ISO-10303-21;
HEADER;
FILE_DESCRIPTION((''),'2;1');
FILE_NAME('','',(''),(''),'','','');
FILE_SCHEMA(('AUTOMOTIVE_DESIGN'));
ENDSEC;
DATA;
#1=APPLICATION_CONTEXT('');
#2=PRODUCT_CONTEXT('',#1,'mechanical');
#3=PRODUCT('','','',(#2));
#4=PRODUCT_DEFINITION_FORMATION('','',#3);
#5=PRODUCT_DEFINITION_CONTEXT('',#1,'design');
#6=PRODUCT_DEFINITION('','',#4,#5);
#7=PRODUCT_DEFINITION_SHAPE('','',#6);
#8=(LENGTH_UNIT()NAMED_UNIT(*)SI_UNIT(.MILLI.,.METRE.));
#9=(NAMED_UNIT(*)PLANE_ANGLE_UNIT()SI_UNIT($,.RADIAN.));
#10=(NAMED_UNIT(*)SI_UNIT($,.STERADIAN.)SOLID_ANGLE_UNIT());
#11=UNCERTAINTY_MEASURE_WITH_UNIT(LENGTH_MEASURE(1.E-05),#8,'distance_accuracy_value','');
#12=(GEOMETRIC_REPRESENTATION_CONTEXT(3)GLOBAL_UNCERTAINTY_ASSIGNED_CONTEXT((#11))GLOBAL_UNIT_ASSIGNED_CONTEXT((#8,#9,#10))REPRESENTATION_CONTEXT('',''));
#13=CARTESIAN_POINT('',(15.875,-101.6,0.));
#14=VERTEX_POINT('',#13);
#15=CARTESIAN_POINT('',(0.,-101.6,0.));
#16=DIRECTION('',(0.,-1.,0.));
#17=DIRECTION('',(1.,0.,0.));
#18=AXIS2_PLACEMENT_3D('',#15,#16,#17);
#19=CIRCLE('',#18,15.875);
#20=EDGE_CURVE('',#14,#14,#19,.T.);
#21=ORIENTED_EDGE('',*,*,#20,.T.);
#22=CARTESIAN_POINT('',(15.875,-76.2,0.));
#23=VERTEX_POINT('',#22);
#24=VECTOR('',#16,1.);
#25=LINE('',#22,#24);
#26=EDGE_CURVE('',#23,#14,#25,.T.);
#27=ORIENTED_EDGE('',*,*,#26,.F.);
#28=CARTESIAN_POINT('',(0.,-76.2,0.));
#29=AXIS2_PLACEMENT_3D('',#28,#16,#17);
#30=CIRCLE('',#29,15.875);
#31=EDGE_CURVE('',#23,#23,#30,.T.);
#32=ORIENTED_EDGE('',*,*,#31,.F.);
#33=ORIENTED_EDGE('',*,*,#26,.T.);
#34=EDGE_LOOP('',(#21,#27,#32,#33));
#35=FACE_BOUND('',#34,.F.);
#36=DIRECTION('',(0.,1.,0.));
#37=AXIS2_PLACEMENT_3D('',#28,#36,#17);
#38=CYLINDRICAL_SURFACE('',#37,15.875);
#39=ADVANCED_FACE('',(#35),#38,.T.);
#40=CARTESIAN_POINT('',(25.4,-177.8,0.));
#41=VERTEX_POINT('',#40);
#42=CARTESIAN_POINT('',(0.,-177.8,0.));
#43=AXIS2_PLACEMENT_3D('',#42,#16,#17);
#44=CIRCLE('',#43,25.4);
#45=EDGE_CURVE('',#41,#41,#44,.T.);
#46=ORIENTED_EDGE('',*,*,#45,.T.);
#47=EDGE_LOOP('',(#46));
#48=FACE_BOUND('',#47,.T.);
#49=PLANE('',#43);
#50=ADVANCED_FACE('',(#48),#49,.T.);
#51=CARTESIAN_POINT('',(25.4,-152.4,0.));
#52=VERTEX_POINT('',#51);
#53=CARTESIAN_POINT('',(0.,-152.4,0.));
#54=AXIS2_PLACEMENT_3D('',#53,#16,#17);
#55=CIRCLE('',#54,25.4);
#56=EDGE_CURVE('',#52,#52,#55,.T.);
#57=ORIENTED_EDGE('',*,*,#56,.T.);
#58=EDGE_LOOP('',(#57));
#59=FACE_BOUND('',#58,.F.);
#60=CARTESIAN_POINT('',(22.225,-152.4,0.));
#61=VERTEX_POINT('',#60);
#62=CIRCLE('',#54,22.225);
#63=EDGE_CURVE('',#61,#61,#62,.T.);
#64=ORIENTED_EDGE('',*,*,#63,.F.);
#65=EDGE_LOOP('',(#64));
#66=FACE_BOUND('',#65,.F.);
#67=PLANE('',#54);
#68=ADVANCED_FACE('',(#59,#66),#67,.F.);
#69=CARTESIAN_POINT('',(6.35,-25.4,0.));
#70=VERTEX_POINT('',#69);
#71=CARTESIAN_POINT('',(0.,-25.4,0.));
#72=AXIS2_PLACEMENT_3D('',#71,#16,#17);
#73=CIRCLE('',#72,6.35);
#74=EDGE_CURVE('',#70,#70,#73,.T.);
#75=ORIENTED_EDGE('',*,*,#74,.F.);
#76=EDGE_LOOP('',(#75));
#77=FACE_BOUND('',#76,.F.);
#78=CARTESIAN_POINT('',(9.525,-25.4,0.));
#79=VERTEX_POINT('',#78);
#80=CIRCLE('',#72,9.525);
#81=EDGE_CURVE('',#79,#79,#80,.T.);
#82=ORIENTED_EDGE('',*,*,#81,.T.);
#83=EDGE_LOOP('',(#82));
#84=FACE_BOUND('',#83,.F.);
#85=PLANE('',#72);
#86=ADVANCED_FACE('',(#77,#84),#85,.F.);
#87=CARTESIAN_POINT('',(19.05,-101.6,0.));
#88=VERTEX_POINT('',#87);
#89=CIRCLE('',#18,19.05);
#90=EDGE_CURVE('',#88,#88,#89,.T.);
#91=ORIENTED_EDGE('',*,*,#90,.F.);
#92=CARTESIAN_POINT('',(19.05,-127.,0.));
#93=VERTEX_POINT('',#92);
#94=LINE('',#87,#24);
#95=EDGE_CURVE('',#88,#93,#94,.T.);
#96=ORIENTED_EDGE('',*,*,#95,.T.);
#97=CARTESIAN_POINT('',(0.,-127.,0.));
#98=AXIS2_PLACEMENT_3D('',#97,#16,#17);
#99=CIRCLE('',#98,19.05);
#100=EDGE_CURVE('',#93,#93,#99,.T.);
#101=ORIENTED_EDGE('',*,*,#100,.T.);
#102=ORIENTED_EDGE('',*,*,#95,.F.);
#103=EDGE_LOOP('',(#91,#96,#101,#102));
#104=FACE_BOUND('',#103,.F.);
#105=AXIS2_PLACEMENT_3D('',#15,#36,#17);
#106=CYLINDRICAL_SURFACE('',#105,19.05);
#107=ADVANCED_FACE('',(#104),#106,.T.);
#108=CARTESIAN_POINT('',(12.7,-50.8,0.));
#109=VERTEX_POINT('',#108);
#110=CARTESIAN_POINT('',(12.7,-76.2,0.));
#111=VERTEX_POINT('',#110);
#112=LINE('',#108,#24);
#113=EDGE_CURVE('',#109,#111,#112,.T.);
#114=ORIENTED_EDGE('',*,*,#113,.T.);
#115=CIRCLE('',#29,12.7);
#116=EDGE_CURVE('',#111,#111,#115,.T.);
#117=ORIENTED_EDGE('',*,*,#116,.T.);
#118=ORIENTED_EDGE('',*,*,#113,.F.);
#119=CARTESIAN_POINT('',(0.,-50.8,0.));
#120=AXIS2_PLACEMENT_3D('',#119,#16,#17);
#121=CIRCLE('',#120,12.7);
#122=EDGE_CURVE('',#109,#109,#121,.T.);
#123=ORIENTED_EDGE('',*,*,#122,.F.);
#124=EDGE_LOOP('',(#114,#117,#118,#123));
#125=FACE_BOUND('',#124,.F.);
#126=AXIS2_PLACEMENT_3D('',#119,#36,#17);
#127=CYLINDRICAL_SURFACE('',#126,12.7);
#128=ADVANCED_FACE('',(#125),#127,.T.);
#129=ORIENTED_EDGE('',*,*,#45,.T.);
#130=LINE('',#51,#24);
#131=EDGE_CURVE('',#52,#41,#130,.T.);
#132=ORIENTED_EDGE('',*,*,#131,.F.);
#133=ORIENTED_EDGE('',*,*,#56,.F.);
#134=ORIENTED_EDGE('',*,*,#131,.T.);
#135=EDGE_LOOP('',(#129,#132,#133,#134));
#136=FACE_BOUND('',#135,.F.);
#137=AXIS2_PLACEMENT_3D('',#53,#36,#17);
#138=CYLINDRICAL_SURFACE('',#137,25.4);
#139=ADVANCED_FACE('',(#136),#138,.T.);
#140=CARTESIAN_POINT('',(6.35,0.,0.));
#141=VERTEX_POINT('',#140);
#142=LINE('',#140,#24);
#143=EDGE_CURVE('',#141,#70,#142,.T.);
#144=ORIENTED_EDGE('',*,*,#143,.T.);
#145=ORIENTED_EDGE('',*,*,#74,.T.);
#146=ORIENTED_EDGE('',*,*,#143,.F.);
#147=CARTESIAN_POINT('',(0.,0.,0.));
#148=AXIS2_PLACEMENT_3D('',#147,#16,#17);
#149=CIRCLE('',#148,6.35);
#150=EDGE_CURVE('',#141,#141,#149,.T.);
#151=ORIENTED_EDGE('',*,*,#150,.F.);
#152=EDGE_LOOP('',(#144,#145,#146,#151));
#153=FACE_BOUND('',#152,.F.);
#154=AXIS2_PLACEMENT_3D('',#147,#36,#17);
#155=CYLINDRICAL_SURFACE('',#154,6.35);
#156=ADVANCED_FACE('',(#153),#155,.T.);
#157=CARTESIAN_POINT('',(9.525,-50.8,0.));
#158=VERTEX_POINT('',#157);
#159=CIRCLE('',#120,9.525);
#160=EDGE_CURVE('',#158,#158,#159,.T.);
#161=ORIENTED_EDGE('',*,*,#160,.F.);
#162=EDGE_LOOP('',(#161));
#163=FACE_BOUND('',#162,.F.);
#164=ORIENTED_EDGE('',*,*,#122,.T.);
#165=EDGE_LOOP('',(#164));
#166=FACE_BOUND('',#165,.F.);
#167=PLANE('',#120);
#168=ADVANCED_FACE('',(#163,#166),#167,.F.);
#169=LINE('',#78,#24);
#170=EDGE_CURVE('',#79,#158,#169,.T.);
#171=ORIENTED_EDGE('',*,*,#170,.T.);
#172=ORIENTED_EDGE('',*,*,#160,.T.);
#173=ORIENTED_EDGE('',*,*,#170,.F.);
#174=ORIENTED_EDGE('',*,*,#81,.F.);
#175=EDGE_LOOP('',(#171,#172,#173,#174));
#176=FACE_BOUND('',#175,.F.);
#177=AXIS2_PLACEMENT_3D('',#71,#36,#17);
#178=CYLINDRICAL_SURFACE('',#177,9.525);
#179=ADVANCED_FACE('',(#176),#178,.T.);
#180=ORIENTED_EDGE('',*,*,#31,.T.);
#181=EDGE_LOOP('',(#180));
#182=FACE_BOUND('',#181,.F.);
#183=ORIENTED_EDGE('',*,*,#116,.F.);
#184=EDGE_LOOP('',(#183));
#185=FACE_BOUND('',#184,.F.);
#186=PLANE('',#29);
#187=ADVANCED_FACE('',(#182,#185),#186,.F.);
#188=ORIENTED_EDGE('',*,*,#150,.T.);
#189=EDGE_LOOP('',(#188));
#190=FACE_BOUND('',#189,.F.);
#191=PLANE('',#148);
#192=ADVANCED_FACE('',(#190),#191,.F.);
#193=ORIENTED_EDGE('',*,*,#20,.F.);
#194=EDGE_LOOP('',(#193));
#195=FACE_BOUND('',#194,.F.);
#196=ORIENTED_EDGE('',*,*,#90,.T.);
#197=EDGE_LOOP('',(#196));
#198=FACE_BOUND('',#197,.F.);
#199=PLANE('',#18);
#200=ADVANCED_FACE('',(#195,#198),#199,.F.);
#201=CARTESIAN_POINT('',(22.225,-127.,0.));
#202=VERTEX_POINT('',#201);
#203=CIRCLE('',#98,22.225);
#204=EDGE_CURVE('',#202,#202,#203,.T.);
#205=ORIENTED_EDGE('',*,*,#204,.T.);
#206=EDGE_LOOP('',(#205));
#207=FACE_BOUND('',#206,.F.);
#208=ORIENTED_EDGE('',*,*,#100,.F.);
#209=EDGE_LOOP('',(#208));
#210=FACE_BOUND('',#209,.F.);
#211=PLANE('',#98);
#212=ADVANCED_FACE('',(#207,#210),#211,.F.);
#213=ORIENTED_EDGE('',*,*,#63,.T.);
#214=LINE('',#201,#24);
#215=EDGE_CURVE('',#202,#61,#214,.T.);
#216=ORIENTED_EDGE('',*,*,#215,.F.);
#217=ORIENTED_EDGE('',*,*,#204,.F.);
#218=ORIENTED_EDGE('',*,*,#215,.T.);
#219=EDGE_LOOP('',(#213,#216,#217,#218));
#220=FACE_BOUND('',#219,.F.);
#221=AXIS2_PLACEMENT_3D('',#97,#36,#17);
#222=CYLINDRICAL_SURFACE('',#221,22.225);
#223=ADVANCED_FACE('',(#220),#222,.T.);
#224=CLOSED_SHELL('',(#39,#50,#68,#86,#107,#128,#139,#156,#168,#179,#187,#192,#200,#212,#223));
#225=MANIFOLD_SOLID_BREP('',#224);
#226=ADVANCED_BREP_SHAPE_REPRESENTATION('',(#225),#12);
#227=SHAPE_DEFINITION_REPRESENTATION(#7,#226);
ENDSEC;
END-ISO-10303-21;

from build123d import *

# Parameters (mm, degrees)
F0_R      = 6.35
F1_DEPTH  = 25.4
F2_R      = 9.525
F3_DEPTH  = 25.4
F4_R      = 12.7
F5_DEPTH  = 25.4
F6_R      = 15.875
F7_DEPTH  = 25.4
F8_R      = 19.05
F9_DEPTH  = 25.4
F10_R     = 22.225
F11_DEPTH = 25.4
F12_R     = 25.4
F13_DEPTH = 25.4


with BuildPart() as f1:
    # F0 (on Front) → F1 (new body)
    with BuildSketch(Plane.XZ):
        Circle(F0_R)
    extrude(amount=F1_DEPTH)

    # F2 (on face) → F3 (join)
    with BuildSketch(Plane.XZ.offset(25.4)):
        Circle(F2_R)
    extrude(amount=F3_DEPTH)

    # F4 (on face) → F5 (join)
    with BuildSketch(Plane.XZ.offset(50.8)):
        Circle(F4_R)
    extrude(amount=F5_DEPTH)

    # F6 (on face) → F7 (join)
    with BuildSketch(Plane.XZ.offset(76.2)):
        Circle(F6_R)
    extrude(amount=F7_DEPTH)

    # F8 (on face) → F9 (join)
    with BuildSketch(Plane.XZ.offset(101.6)):
        Circle(F8_R)
    extrude(amount=F9_DEPTH)

    # F10 (on face) → F11 (join)
    with BuildSketch(Plane.XZ.offset(127)):
        Circle(F10_R)
    extrude(amount=F11_DEPTH)

    # F12 (on face) → F13 (join)
    with BuildSketch(Plane.XZ.offset(152.4)):
        Circle(F12_R)
    extrude(amount=F13_DEPTH)


solid = f1.part
